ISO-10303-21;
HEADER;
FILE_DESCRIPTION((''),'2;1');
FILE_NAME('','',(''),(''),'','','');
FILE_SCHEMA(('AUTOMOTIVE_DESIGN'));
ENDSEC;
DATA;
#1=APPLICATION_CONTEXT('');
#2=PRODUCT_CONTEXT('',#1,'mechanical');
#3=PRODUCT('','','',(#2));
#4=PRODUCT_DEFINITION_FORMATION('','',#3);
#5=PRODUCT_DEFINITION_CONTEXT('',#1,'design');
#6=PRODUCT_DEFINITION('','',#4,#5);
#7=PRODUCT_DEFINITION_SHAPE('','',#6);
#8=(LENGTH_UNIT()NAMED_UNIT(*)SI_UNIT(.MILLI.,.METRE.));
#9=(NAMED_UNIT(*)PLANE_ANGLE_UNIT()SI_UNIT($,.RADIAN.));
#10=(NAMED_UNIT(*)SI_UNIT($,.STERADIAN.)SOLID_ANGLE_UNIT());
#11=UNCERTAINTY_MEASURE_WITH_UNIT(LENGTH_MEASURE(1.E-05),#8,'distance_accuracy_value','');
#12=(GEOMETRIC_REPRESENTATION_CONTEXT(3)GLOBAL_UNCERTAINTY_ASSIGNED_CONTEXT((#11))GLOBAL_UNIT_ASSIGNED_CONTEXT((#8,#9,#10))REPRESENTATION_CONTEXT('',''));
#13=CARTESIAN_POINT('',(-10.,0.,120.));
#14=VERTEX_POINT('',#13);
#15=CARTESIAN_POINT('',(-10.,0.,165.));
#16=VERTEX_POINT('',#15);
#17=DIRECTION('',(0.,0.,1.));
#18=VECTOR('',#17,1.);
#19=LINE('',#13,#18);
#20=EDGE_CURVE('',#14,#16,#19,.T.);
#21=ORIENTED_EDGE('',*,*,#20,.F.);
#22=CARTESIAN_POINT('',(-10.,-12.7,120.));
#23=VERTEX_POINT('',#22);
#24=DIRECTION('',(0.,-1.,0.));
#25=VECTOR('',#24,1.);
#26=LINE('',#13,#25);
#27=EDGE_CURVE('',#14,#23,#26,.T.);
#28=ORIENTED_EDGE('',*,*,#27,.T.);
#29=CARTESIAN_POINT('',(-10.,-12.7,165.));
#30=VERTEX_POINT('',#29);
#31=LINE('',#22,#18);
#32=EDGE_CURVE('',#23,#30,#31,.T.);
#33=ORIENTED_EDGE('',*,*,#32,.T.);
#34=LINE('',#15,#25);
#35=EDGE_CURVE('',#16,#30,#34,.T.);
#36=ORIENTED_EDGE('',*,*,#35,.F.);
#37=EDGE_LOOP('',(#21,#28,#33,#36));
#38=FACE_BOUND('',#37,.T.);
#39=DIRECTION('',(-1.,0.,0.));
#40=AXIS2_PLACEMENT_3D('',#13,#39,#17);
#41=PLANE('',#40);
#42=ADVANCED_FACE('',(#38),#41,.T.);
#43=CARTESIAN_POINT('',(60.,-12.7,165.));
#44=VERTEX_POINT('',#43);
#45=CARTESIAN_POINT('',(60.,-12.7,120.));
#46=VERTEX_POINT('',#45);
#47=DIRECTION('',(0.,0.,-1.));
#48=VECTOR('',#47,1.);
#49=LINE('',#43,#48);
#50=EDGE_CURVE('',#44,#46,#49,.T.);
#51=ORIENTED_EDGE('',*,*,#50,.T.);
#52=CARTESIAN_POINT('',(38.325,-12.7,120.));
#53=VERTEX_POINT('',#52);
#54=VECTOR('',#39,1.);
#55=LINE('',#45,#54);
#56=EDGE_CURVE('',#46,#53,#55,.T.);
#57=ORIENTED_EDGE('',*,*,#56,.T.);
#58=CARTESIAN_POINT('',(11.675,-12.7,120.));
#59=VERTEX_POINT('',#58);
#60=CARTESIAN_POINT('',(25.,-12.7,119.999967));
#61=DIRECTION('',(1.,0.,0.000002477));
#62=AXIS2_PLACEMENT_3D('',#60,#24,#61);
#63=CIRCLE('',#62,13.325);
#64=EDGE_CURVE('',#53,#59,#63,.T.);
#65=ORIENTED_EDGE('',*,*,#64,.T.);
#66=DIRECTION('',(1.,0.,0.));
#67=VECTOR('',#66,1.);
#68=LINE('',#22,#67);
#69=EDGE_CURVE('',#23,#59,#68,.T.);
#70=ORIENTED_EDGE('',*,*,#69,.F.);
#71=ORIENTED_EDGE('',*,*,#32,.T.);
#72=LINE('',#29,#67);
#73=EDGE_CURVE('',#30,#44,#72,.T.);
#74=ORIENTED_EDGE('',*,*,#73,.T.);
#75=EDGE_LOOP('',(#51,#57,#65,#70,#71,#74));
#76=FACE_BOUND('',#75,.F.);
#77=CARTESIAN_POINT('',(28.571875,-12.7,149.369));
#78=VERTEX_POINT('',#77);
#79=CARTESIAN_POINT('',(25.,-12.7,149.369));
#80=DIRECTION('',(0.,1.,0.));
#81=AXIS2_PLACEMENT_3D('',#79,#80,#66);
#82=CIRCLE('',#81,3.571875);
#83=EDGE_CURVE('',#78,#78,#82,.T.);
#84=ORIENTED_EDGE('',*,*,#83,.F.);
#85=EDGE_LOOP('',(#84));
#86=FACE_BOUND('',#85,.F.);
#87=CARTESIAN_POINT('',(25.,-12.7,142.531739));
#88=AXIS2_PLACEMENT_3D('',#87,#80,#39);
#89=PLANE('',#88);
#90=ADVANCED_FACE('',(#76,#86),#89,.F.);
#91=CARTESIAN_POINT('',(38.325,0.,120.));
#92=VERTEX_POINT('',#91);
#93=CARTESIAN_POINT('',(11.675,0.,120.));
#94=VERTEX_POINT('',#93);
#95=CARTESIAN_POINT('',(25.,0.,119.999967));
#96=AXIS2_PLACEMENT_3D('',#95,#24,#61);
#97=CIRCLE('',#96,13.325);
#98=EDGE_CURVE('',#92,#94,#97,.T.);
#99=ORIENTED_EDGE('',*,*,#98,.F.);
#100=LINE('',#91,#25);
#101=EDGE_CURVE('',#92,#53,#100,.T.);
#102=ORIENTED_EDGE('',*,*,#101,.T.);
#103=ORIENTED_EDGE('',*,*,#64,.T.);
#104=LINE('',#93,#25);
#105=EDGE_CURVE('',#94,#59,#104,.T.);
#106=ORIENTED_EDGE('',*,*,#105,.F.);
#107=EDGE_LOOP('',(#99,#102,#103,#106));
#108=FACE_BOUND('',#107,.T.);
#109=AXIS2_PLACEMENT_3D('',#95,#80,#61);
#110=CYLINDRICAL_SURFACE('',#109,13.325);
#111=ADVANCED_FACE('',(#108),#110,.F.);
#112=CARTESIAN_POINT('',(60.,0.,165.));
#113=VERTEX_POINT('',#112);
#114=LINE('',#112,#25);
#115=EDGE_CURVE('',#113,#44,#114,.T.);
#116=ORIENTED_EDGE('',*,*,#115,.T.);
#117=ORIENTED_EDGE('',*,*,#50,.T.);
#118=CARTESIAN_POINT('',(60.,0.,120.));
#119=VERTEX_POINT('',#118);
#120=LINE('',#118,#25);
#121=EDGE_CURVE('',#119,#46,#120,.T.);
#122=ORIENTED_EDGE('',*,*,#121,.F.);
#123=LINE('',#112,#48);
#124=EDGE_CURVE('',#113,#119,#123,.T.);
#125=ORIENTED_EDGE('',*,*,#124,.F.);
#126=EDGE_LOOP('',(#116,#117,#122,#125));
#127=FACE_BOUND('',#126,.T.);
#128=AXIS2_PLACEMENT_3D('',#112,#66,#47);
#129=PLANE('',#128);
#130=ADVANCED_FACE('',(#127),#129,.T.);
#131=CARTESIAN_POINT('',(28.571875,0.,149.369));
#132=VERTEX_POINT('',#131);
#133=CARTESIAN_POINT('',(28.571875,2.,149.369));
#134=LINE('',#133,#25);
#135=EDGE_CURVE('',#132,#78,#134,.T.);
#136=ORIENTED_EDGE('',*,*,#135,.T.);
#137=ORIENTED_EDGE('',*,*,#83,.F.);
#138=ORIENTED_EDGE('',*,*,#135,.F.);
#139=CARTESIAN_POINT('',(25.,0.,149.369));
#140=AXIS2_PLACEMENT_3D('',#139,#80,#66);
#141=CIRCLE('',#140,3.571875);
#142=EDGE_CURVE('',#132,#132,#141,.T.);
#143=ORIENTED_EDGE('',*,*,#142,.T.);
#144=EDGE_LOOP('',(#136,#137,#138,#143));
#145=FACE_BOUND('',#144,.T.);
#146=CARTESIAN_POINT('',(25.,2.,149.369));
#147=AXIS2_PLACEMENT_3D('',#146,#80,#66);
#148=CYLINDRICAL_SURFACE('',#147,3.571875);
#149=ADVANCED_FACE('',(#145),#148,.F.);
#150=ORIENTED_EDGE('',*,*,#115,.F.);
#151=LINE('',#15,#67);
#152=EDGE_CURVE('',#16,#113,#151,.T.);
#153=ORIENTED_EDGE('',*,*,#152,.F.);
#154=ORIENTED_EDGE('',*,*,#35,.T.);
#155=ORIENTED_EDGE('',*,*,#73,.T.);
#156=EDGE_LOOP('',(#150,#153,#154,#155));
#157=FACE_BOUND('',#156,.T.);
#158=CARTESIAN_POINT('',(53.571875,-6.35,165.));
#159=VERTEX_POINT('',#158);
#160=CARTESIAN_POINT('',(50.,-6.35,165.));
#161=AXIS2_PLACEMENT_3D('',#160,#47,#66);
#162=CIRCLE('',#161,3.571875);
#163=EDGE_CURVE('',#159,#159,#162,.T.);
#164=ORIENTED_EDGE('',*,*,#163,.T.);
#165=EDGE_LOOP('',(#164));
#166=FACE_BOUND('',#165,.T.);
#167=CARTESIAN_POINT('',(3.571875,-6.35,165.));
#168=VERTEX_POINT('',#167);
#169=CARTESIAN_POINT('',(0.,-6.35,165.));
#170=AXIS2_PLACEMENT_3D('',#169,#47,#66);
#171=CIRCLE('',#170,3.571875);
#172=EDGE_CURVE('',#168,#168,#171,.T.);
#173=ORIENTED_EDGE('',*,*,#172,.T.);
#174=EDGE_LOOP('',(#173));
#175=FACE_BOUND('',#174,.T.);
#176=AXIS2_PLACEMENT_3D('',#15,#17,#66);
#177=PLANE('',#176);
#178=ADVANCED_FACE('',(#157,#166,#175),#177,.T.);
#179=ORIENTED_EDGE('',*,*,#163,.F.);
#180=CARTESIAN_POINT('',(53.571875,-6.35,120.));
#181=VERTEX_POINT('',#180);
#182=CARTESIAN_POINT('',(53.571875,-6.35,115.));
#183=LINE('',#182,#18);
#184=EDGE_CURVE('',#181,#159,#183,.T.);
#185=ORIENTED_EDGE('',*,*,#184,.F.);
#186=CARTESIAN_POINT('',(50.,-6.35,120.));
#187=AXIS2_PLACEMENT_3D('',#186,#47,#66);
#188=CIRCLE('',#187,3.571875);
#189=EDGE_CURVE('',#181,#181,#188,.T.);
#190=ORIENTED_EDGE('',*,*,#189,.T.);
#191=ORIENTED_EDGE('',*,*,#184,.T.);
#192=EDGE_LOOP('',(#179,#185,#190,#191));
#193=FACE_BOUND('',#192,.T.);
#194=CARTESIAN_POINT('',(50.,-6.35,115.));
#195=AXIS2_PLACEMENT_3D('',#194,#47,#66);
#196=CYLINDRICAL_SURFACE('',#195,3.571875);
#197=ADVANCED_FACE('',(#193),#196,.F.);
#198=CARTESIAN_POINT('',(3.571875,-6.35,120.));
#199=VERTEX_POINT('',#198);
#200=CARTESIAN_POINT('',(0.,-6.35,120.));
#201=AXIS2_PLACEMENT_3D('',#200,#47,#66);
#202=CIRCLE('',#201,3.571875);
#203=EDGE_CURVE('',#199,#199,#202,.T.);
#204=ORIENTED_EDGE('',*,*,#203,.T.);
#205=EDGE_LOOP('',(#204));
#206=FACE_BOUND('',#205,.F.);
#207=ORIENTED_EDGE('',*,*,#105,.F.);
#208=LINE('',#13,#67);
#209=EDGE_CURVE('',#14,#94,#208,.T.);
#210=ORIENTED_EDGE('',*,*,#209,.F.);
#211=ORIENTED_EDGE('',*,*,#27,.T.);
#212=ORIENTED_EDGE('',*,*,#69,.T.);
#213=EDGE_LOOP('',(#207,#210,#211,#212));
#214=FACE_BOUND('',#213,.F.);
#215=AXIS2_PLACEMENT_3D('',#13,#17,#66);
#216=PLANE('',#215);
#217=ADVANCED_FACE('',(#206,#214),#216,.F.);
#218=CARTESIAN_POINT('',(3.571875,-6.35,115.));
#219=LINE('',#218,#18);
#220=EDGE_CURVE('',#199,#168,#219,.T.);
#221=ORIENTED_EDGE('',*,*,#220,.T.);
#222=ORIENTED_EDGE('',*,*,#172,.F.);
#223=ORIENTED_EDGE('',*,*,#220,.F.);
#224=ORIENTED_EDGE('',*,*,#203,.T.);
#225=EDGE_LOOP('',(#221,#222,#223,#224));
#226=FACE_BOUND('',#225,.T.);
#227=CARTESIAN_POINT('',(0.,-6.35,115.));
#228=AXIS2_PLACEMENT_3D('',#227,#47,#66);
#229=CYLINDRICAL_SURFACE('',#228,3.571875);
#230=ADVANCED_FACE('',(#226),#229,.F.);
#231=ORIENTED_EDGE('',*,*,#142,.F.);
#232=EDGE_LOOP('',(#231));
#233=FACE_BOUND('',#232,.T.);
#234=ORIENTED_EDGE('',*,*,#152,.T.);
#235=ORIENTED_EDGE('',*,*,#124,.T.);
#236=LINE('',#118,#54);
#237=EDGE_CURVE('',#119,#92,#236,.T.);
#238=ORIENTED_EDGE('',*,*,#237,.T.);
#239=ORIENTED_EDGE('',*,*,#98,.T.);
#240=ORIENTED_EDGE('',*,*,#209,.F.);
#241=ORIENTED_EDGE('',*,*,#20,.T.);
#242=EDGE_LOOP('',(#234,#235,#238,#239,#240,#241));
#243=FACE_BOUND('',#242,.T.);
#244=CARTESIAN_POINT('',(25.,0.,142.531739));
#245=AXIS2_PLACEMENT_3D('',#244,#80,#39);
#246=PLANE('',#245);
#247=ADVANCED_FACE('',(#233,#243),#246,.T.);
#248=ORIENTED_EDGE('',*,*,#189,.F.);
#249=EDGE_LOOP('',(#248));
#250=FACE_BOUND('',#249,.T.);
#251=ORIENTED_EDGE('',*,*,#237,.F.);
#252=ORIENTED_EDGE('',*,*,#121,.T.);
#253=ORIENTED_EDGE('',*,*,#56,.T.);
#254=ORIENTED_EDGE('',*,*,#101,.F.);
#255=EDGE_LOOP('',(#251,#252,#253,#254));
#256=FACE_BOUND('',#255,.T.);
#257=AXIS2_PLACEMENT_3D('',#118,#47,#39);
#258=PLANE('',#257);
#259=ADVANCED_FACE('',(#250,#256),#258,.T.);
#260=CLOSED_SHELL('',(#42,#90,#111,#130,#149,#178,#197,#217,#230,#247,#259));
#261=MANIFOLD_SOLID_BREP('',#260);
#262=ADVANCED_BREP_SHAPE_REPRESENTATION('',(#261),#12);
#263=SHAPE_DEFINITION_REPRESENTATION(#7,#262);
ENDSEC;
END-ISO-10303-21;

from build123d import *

# Parameters (mm, degrees)
SKETCH022_R  = 3.571875
PAD022_DEPTH = 55
SKETCH021_R  = 3.571875
PAD021_DEPTH = 55
SKETCH020_R  = 3.571875
PAD020_DEPTH = 30
PAD002_DEPTH = 12.7


with BuildPart() as body022:
    # Sketch022 → Pad022 (new body)
    with BuildSketch(Plane.XY):
        Circle(SKETCH022_R)
    extrude(amount=PAD022_DEPTH)


with BuildPart() as body022_1:
    # Body022 placement: moved
    add(body022.part.moved(Location((150, -6.35, 115))))


with BuildPart() as body021:
    # Sketch021 → Pad021 (new body)
    with BuildSketch(Plane.XY):
        Circle(SKETCH021_R)
    extrude(amount=PAD021_DEPTH)


with BuildPart() as body021_1:
    # Body021 placement: moved
    add(body021.part.moved(Location((100, -6.35, 115))))


with BuildPart() as body020:
    # Sketch020 → Pad020 (new body)
    with BuildSketch(Plane.XZ):
        Circle(SKETCH020_R)
    extrude(amount=PAD020_DEPTH)


with BuildPart() as body020_1:
    # Body020 placement: moved
    add(body020.part.moved(Location((25, 2, 149.369))))


with BuildPart() as braceupper:
    # Sketch002 → Pad002 (new body)
    with BuildSketch(Plane.XZ):
        with BuildLine():
            Line((-20, 110), (-20, 155))
            Line((-20, 155), (50, 155))
            Line((50, 155), (50, 110))
            Line((50, 110), (28.325, 110))
            ThreePointArc((28.325, 110), (15, 123.324967), (1.675, 110))
            Line((-20, 110), (1.675, 110))
        make_face()
    extrude(amount=PAD002_DEPTH)


with BuildPart() as braceupper_1:
    # Body002 placement: moved
    add(braceupper.part.moved(Location((10, 0, 10))))

    # Cut013: cut Body020
    add(body020_1.part, mode=Mode.SUBTRACT)


with BuildPart() as braceupper_2:
    # Cut013 placement: moved
    add(braceupper_1.part.moved(Location((100, 0, 0))))

    # Cut014: cut Body021
    add(body021_1.part, mode=Mode.SUBTRACT)

    # Cut015: cut Body022
    add(body022_1.part, mode=Mode.SUBTRACT)


with BuildPart() as braceupper_3:
    # Cut015 placement: moved
    add(braceupper_2.part.moved(Location((-100, 0, 0))))


solid = braceupper_3.part
